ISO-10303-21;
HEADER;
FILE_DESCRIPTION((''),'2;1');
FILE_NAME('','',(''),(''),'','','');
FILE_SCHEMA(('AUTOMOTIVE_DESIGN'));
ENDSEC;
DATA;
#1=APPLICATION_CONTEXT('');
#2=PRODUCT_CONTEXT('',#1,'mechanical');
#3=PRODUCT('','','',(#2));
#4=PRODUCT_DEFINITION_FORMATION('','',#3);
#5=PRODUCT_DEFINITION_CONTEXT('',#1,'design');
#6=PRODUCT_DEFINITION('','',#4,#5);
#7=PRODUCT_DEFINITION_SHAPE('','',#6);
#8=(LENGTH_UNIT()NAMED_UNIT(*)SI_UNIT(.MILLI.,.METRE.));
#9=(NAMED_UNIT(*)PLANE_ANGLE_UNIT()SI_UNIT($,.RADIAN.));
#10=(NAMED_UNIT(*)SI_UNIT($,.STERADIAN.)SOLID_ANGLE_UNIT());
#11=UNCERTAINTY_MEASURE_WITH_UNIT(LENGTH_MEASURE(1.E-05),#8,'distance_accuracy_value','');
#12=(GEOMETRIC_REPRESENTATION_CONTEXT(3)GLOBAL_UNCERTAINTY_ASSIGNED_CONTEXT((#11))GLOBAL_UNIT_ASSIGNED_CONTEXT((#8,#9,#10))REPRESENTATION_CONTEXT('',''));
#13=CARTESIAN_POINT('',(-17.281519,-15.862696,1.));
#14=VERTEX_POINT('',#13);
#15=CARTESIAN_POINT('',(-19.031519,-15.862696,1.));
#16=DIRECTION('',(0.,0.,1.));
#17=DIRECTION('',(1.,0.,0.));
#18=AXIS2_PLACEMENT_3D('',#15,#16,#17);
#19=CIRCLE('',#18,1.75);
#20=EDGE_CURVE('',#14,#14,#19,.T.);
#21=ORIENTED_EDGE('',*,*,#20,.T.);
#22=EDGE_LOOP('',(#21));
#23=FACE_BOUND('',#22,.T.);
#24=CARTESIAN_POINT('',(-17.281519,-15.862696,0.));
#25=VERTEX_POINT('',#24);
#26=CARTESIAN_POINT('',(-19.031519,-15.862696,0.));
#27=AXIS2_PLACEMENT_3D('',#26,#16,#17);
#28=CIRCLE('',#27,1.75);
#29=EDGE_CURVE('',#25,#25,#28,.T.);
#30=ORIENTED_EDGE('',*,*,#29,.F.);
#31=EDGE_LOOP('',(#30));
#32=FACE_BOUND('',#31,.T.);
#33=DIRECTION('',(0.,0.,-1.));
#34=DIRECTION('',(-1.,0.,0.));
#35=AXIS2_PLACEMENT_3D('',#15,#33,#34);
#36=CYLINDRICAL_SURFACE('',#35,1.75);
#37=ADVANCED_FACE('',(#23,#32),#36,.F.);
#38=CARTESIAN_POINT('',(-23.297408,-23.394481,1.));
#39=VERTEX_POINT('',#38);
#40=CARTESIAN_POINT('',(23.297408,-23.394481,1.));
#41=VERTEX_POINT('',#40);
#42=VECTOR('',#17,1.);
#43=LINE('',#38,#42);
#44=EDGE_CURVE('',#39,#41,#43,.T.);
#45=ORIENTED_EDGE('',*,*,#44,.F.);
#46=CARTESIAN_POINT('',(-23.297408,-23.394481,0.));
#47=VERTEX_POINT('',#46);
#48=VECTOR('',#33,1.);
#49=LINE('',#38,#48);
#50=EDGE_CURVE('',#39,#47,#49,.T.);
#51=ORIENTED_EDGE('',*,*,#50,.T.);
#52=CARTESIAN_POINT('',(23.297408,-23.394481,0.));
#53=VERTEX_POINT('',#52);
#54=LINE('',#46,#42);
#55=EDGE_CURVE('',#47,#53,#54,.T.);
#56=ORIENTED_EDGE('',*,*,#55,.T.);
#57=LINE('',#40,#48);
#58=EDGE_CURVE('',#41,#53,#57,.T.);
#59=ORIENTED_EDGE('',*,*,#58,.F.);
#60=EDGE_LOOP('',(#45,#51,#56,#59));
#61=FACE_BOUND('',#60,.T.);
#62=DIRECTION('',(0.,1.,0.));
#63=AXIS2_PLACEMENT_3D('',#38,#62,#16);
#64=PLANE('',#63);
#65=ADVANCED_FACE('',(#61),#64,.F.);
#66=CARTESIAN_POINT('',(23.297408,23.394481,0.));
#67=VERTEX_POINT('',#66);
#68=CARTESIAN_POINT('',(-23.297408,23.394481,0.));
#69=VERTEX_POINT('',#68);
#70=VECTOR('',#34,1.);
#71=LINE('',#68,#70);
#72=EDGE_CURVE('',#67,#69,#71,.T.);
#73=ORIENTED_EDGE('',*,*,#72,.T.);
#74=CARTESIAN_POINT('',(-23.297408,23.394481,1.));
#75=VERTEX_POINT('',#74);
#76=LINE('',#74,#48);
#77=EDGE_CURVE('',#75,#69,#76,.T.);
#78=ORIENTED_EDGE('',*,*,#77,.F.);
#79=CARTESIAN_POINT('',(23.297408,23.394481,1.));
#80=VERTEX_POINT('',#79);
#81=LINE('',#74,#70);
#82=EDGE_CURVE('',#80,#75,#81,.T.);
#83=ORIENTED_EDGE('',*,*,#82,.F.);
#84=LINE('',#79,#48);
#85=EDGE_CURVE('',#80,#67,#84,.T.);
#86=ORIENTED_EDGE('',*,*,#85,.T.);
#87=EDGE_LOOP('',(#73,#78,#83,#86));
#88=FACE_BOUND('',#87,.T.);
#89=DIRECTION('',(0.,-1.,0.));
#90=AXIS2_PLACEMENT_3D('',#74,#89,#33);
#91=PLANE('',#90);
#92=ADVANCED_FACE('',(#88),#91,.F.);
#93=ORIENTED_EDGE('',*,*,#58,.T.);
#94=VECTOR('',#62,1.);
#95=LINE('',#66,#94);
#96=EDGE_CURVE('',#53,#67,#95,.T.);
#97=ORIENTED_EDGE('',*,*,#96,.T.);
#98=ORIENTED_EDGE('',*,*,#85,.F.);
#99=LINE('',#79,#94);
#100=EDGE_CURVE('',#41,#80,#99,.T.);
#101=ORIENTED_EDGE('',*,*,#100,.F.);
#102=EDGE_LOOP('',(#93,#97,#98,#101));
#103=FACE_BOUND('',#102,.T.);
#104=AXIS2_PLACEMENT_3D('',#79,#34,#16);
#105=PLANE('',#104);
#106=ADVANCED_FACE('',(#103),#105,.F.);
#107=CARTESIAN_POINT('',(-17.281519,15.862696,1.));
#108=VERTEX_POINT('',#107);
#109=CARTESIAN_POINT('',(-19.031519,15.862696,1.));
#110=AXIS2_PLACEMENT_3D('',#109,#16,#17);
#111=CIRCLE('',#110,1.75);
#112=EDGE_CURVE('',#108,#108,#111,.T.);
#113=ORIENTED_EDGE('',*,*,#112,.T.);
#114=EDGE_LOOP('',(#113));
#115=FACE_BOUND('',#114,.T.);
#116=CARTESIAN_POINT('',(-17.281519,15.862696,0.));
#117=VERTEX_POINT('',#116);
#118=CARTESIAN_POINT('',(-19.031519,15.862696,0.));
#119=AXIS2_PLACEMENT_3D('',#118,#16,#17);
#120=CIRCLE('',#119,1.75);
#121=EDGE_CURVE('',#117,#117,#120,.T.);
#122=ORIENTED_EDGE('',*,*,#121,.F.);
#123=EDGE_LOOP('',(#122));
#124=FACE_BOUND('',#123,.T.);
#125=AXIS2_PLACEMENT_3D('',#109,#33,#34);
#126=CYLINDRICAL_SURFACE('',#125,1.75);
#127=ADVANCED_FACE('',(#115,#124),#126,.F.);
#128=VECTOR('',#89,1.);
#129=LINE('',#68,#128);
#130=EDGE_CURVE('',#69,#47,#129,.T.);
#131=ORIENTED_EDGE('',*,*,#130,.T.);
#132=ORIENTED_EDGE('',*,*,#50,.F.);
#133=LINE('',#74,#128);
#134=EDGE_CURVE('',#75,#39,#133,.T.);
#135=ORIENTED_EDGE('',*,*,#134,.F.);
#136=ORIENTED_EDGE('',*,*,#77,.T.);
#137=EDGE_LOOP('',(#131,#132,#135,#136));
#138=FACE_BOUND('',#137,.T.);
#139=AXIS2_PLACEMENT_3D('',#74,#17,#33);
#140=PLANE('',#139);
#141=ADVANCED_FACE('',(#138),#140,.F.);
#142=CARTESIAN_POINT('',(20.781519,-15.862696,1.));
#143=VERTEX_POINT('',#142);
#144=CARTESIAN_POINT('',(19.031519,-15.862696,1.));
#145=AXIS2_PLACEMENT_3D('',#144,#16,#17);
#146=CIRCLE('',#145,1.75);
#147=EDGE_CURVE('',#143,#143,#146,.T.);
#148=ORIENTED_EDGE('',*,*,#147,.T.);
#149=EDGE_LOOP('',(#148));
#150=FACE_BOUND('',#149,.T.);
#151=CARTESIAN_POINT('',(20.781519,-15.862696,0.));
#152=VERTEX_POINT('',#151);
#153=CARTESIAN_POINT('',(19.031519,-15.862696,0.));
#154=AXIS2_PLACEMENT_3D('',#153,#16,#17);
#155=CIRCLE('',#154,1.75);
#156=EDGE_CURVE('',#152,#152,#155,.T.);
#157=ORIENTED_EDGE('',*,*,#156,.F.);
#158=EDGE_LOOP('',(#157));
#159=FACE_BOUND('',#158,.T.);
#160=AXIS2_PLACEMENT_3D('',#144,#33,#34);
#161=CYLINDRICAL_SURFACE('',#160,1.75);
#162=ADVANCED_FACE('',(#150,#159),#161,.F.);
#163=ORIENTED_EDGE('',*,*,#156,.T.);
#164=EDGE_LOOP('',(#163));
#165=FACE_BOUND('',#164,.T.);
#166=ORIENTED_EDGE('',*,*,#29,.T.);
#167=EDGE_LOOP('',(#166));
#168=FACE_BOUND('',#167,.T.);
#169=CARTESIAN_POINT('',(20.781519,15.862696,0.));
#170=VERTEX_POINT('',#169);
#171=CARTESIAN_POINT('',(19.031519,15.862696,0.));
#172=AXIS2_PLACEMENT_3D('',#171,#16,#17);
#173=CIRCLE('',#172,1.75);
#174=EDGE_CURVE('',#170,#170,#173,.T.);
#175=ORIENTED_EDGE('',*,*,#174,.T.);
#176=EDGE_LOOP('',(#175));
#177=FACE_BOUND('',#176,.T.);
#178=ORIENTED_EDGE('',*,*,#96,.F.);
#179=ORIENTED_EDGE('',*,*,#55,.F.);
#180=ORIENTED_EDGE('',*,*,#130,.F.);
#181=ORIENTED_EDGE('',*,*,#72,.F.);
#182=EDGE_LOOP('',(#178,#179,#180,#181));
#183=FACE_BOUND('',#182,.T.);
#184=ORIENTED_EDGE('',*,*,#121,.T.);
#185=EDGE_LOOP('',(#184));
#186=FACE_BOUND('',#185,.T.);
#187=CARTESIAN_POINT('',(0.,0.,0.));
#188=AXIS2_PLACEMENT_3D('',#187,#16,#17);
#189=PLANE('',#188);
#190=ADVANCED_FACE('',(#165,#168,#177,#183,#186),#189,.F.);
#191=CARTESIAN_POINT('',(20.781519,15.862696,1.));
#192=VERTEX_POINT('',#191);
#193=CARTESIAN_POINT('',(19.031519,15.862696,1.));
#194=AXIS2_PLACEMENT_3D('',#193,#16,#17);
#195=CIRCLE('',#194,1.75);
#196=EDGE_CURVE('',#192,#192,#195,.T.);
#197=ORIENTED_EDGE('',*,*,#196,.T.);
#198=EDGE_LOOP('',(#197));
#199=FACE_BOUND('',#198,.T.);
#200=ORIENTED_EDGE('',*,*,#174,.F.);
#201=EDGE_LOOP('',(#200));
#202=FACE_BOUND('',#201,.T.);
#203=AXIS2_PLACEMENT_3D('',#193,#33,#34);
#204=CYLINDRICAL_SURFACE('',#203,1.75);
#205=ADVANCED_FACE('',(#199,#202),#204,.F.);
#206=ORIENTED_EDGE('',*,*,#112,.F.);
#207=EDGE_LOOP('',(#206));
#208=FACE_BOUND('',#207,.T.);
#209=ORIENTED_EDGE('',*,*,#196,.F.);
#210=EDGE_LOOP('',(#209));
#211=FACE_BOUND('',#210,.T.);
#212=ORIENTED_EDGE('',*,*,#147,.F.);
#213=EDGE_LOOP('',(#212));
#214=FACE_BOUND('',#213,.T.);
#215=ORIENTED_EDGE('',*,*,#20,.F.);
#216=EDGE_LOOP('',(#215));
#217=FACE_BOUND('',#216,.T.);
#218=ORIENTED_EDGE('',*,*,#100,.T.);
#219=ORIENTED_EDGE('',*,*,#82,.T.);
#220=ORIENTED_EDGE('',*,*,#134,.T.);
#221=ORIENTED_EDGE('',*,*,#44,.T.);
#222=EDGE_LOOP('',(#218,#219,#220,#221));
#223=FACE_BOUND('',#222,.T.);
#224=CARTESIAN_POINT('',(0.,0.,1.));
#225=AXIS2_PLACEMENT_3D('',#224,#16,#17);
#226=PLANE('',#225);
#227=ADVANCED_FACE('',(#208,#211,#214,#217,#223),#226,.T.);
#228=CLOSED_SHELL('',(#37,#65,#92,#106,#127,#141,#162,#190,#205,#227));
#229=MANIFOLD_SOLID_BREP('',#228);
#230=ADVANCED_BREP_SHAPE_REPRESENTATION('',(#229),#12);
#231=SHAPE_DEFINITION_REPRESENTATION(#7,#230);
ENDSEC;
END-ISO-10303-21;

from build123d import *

# Parameters (mm, degrees)
SKETCH1_W           = 46.594816482
SKETCH1_H           = 46.788961552
SKETCH1_R           = 1.75
BOSS_EXTRUDE1_DEPTH = 1


with BuildPart() as part:
    # Sketch1 → Boss-Extrude1 (new body)
    with BuildSketch(Plane.XY):
        Rectangle(SKETCH1_W, SKETCH1_H)
        with Locations((-19.031519272, 15.862695549)):
            Circle(SKETCH1_R, mode=Mode.SUBTRACT)
        with Locations((19.031519272, 15.862695549)):
            Circle(SKETCH1_R, mode=Mode.SUBTRACT)
        with Locations((19.031519272, -15.862695549)):
            Circle(SKETCH1_R, mode=Mode.SUBTRACT)
        with Locations((-19.031519272, -15.862695549)):
            Circle(SKETCH1_R, mode=Mode.SUBTRACT)
    extrude(amount=BOSS_EXTRUDE1_DEPTH)


solid = part.part
